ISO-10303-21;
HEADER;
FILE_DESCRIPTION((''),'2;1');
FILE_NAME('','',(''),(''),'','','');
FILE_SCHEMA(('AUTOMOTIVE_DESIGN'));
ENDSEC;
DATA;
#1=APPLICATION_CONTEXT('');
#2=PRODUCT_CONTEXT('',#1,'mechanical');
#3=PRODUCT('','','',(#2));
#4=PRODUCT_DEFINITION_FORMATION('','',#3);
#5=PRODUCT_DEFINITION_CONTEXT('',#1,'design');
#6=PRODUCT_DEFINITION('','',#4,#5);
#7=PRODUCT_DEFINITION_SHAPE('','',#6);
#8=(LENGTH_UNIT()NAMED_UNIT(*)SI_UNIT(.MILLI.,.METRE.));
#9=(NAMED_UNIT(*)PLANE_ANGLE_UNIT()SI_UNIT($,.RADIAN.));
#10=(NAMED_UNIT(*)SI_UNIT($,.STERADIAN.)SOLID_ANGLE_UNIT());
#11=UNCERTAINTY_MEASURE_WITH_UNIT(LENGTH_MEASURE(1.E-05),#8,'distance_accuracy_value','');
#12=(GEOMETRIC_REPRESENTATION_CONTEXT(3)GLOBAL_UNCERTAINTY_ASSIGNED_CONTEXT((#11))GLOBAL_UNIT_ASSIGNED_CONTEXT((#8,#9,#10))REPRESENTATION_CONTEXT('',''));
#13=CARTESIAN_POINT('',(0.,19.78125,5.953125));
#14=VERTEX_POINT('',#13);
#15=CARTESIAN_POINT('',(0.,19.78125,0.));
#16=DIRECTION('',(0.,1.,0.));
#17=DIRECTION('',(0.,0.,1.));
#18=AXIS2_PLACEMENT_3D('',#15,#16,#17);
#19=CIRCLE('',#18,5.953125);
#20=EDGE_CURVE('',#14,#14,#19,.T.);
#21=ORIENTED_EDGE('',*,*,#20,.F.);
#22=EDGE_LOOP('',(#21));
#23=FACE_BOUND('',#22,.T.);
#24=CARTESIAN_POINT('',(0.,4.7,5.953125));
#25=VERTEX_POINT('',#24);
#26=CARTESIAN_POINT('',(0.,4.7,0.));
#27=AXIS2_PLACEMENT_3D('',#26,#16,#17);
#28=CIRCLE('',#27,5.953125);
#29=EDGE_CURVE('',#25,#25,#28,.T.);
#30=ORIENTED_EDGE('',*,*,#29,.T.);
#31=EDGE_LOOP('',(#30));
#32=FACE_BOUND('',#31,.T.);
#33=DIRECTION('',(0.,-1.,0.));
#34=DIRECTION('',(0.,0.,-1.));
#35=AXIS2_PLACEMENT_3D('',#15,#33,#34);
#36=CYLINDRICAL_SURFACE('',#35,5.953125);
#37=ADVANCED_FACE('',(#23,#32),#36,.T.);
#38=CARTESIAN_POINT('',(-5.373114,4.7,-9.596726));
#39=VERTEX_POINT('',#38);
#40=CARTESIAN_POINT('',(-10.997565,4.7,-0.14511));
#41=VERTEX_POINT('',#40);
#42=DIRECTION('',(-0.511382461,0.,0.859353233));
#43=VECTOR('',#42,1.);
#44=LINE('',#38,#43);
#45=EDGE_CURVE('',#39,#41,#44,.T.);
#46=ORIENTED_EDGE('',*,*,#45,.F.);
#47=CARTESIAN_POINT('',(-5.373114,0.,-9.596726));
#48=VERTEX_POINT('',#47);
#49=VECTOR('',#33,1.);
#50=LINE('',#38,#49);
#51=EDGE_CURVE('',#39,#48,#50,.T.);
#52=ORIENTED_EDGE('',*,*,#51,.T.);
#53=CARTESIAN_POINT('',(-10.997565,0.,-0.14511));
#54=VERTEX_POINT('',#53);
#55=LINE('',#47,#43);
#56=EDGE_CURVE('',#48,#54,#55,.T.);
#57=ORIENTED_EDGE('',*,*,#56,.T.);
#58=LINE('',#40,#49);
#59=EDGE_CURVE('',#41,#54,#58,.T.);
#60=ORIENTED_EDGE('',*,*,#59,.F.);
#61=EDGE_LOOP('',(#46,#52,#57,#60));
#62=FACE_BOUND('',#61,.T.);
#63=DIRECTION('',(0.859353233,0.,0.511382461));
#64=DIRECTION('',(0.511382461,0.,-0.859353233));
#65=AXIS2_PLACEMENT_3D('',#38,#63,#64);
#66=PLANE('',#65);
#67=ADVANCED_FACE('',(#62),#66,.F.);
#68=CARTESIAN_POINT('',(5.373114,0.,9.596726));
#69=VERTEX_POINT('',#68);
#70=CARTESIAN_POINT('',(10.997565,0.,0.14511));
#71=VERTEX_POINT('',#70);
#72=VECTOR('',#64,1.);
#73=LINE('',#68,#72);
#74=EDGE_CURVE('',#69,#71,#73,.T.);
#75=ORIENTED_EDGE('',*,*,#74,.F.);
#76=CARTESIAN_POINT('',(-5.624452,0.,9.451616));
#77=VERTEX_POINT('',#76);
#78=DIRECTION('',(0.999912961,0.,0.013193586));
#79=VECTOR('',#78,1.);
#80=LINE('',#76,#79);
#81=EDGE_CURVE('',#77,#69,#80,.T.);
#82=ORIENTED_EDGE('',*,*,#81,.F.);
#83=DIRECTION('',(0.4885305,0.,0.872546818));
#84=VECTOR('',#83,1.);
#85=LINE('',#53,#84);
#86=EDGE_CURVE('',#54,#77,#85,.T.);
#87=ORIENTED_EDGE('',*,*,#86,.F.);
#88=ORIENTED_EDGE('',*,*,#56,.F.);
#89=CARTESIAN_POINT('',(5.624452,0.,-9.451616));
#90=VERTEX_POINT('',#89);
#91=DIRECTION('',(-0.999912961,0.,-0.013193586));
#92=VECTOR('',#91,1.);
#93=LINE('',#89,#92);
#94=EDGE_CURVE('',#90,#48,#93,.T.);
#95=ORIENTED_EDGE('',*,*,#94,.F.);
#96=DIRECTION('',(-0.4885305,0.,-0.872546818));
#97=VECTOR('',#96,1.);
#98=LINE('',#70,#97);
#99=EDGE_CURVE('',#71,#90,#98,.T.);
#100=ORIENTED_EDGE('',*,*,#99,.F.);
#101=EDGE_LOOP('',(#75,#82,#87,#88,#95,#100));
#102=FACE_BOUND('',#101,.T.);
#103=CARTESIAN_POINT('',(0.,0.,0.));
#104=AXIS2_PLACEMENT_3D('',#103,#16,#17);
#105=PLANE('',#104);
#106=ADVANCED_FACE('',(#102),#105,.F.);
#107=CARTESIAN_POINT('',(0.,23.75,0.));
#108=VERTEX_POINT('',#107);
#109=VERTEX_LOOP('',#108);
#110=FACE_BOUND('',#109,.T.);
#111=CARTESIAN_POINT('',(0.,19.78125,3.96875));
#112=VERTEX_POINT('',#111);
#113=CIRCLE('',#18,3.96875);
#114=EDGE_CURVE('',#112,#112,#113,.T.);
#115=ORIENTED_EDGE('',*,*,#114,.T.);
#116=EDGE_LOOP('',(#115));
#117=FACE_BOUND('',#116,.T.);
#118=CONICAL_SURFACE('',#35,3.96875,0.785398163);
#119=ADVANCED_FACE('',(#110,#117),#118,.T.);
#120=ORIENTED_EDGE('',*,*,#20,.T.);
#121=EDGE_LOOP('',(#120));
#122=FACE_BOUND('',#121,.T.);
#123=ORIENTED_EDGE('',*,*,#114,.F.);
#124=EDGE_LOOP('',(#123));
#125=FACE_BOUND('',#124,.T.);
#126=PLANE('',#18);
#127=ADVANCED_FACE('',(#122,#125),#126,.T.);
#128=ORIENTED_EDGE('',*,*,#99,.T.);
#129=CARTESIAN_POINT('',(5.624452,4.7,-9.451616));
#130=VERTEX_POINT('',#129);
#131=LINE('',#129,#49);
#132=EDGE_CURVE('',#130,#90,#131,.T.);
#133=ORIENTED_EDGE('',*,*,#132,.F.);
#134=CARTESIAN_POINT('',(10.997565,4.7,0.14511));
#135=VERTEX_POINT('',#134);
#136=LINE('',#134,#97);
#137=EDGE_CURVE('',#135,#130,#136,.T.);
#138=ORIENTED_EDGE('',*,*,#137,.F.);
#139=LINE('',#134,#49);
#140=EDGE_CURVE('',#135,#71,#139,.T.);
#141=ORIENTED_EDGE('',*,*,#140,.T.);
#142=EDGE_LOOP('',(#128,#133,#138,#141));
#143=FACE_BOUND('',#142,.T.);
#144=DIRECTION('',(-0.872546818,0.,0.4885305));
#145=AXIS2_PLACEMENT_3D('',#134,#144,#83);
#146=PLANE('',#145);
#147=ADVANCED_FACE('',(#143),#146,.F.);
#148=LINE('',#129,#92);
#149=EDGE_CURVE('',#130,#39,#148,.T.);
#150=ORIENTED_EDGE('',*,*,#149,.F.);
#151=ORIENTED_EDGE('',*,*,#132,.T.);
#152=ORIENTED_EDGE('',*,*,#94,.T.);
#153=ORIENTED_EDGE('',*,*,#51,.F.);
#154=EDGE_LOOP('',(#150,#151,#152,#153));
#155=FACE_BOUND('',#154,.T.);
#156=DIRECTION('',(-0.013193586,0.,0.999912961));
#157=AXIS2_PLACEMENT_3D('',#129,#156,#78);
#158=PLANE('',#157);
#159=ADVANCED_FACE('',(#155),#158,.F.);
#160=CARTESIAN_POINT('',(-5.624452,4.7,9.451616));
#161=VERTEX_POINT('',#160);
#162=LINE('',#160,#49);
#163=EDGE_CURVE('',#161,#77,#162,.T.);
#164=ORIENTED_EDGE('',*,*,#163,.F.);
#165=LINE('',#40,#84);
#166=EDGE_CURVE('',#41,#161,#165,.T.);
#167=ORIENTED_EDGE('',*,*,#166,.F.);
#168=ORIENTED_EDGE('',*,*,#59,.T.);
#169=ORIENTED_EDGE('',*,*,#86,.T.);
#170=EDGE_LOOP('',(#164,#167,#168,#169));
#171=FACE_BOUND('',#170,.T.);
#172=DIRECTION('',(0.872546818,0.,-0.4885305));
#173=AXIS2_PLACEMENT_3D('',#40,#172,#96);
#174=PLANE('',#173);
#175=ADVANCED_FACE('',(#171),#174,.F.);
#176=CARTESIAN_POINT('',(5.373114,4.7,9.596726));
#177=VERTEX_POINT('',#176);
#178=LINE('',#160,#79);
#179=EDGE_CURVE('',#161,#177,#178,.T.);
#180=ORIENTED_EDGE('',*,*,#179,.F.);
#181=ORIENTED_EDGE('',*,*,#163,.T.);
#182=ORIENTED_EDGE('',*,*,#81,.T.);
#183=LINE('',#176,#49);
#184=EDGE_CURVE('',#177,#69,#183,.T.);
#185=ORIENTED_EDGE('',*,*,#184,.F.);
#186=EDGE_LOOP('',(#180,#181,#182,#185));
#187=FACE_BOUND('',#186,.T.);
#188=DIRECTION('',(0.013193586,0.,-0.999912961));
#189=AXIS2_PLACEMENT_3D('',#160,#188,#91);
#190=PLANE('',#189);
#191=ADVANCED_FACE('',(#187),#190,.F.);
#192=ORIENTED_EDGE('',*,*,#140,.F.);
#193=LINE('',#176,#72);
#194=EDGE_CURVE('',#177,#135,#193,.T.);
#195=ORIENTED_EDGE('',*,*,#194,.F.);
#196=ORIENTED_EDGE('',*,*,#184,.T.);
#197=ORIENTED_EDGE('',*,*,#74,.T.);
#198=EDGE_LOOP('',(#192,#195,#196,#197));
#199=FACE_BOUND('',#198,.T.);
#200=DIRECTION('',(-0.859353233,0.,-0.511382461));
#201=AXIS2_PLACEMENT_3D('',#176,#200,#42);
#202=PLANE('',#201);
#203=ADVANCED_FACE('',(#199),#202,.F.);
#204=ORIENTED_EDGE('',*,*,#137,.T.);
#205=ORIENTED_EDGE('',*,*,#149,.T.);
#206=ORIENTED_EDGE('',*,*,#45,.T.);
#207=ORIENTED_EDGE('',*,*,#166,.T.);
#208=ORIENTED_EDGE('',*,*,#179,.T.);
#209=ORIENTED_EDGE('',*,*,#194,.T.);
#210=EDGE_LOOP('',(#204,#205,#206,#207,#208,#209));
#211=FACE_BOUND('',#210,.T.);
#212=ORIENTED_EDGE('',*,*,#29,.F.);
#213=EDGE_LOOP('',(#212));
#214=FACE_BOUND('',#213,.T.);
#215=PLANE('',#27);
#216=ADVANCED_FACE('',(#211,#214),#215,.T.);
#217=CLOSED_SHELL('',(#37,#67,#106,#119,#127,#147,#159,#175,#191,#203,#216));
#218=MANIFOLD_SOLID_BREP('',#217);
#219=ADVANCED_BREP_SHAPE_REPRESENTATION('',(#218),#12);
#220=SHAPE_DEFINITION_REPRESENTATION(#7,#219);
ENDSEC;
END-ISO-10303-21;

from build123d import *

# Parameters (mm, degrees)
BOSS_EXTRUDE1_DEPTH = 4.7
SKETCH2_R           = 5.953125
BOSS_EXTRUDE2_DEPTH = 15.08125


with BuildPart() as part:
    # Sketch1 → Boss-Extrude1 (new body)
    with BuildSketch(Plane(origin=(0, 0, 0), x_dir=(1, 0, 0), z_dir=(0, 1, 0))):
        Polygon((5.624451566, 9.451615977), (-5.37311376, 9.596725927), (-10.997565326, 0.14510995), (-5.624451566, -9.451615977), (5.37311376, -9.596725927), (10.997565326, -0.14510995), align=None)
    extrude(amount=BOSS_EXTRUDE1_DEPTH)

    # Sketch2 → Boss-Extrude2 (add)
    with BuildSketch(Plane(origin=(0, 4.7, 0), x_dir=(1, 0, 0), z_dir=(0, 1, 0))):
        Circle(SKETCH2_R)
    extrude(amount=BOSS_EXTRUDE2_DEPTH)

    # Sketch4 → Revolve1 (revolve)
    with BuildSketch(Plane(origin=(0, 0, 0), x_dir=(0, 0, -1), z_dir=(1, 0, 0))):
        Polygon((0, 19.78125), (0, 23.75), (3.96875, 19.78125), align=None)
    revolve(axis=Axis((0, 19.78125, 0), (0, 1, 0)))


solid = part.part
